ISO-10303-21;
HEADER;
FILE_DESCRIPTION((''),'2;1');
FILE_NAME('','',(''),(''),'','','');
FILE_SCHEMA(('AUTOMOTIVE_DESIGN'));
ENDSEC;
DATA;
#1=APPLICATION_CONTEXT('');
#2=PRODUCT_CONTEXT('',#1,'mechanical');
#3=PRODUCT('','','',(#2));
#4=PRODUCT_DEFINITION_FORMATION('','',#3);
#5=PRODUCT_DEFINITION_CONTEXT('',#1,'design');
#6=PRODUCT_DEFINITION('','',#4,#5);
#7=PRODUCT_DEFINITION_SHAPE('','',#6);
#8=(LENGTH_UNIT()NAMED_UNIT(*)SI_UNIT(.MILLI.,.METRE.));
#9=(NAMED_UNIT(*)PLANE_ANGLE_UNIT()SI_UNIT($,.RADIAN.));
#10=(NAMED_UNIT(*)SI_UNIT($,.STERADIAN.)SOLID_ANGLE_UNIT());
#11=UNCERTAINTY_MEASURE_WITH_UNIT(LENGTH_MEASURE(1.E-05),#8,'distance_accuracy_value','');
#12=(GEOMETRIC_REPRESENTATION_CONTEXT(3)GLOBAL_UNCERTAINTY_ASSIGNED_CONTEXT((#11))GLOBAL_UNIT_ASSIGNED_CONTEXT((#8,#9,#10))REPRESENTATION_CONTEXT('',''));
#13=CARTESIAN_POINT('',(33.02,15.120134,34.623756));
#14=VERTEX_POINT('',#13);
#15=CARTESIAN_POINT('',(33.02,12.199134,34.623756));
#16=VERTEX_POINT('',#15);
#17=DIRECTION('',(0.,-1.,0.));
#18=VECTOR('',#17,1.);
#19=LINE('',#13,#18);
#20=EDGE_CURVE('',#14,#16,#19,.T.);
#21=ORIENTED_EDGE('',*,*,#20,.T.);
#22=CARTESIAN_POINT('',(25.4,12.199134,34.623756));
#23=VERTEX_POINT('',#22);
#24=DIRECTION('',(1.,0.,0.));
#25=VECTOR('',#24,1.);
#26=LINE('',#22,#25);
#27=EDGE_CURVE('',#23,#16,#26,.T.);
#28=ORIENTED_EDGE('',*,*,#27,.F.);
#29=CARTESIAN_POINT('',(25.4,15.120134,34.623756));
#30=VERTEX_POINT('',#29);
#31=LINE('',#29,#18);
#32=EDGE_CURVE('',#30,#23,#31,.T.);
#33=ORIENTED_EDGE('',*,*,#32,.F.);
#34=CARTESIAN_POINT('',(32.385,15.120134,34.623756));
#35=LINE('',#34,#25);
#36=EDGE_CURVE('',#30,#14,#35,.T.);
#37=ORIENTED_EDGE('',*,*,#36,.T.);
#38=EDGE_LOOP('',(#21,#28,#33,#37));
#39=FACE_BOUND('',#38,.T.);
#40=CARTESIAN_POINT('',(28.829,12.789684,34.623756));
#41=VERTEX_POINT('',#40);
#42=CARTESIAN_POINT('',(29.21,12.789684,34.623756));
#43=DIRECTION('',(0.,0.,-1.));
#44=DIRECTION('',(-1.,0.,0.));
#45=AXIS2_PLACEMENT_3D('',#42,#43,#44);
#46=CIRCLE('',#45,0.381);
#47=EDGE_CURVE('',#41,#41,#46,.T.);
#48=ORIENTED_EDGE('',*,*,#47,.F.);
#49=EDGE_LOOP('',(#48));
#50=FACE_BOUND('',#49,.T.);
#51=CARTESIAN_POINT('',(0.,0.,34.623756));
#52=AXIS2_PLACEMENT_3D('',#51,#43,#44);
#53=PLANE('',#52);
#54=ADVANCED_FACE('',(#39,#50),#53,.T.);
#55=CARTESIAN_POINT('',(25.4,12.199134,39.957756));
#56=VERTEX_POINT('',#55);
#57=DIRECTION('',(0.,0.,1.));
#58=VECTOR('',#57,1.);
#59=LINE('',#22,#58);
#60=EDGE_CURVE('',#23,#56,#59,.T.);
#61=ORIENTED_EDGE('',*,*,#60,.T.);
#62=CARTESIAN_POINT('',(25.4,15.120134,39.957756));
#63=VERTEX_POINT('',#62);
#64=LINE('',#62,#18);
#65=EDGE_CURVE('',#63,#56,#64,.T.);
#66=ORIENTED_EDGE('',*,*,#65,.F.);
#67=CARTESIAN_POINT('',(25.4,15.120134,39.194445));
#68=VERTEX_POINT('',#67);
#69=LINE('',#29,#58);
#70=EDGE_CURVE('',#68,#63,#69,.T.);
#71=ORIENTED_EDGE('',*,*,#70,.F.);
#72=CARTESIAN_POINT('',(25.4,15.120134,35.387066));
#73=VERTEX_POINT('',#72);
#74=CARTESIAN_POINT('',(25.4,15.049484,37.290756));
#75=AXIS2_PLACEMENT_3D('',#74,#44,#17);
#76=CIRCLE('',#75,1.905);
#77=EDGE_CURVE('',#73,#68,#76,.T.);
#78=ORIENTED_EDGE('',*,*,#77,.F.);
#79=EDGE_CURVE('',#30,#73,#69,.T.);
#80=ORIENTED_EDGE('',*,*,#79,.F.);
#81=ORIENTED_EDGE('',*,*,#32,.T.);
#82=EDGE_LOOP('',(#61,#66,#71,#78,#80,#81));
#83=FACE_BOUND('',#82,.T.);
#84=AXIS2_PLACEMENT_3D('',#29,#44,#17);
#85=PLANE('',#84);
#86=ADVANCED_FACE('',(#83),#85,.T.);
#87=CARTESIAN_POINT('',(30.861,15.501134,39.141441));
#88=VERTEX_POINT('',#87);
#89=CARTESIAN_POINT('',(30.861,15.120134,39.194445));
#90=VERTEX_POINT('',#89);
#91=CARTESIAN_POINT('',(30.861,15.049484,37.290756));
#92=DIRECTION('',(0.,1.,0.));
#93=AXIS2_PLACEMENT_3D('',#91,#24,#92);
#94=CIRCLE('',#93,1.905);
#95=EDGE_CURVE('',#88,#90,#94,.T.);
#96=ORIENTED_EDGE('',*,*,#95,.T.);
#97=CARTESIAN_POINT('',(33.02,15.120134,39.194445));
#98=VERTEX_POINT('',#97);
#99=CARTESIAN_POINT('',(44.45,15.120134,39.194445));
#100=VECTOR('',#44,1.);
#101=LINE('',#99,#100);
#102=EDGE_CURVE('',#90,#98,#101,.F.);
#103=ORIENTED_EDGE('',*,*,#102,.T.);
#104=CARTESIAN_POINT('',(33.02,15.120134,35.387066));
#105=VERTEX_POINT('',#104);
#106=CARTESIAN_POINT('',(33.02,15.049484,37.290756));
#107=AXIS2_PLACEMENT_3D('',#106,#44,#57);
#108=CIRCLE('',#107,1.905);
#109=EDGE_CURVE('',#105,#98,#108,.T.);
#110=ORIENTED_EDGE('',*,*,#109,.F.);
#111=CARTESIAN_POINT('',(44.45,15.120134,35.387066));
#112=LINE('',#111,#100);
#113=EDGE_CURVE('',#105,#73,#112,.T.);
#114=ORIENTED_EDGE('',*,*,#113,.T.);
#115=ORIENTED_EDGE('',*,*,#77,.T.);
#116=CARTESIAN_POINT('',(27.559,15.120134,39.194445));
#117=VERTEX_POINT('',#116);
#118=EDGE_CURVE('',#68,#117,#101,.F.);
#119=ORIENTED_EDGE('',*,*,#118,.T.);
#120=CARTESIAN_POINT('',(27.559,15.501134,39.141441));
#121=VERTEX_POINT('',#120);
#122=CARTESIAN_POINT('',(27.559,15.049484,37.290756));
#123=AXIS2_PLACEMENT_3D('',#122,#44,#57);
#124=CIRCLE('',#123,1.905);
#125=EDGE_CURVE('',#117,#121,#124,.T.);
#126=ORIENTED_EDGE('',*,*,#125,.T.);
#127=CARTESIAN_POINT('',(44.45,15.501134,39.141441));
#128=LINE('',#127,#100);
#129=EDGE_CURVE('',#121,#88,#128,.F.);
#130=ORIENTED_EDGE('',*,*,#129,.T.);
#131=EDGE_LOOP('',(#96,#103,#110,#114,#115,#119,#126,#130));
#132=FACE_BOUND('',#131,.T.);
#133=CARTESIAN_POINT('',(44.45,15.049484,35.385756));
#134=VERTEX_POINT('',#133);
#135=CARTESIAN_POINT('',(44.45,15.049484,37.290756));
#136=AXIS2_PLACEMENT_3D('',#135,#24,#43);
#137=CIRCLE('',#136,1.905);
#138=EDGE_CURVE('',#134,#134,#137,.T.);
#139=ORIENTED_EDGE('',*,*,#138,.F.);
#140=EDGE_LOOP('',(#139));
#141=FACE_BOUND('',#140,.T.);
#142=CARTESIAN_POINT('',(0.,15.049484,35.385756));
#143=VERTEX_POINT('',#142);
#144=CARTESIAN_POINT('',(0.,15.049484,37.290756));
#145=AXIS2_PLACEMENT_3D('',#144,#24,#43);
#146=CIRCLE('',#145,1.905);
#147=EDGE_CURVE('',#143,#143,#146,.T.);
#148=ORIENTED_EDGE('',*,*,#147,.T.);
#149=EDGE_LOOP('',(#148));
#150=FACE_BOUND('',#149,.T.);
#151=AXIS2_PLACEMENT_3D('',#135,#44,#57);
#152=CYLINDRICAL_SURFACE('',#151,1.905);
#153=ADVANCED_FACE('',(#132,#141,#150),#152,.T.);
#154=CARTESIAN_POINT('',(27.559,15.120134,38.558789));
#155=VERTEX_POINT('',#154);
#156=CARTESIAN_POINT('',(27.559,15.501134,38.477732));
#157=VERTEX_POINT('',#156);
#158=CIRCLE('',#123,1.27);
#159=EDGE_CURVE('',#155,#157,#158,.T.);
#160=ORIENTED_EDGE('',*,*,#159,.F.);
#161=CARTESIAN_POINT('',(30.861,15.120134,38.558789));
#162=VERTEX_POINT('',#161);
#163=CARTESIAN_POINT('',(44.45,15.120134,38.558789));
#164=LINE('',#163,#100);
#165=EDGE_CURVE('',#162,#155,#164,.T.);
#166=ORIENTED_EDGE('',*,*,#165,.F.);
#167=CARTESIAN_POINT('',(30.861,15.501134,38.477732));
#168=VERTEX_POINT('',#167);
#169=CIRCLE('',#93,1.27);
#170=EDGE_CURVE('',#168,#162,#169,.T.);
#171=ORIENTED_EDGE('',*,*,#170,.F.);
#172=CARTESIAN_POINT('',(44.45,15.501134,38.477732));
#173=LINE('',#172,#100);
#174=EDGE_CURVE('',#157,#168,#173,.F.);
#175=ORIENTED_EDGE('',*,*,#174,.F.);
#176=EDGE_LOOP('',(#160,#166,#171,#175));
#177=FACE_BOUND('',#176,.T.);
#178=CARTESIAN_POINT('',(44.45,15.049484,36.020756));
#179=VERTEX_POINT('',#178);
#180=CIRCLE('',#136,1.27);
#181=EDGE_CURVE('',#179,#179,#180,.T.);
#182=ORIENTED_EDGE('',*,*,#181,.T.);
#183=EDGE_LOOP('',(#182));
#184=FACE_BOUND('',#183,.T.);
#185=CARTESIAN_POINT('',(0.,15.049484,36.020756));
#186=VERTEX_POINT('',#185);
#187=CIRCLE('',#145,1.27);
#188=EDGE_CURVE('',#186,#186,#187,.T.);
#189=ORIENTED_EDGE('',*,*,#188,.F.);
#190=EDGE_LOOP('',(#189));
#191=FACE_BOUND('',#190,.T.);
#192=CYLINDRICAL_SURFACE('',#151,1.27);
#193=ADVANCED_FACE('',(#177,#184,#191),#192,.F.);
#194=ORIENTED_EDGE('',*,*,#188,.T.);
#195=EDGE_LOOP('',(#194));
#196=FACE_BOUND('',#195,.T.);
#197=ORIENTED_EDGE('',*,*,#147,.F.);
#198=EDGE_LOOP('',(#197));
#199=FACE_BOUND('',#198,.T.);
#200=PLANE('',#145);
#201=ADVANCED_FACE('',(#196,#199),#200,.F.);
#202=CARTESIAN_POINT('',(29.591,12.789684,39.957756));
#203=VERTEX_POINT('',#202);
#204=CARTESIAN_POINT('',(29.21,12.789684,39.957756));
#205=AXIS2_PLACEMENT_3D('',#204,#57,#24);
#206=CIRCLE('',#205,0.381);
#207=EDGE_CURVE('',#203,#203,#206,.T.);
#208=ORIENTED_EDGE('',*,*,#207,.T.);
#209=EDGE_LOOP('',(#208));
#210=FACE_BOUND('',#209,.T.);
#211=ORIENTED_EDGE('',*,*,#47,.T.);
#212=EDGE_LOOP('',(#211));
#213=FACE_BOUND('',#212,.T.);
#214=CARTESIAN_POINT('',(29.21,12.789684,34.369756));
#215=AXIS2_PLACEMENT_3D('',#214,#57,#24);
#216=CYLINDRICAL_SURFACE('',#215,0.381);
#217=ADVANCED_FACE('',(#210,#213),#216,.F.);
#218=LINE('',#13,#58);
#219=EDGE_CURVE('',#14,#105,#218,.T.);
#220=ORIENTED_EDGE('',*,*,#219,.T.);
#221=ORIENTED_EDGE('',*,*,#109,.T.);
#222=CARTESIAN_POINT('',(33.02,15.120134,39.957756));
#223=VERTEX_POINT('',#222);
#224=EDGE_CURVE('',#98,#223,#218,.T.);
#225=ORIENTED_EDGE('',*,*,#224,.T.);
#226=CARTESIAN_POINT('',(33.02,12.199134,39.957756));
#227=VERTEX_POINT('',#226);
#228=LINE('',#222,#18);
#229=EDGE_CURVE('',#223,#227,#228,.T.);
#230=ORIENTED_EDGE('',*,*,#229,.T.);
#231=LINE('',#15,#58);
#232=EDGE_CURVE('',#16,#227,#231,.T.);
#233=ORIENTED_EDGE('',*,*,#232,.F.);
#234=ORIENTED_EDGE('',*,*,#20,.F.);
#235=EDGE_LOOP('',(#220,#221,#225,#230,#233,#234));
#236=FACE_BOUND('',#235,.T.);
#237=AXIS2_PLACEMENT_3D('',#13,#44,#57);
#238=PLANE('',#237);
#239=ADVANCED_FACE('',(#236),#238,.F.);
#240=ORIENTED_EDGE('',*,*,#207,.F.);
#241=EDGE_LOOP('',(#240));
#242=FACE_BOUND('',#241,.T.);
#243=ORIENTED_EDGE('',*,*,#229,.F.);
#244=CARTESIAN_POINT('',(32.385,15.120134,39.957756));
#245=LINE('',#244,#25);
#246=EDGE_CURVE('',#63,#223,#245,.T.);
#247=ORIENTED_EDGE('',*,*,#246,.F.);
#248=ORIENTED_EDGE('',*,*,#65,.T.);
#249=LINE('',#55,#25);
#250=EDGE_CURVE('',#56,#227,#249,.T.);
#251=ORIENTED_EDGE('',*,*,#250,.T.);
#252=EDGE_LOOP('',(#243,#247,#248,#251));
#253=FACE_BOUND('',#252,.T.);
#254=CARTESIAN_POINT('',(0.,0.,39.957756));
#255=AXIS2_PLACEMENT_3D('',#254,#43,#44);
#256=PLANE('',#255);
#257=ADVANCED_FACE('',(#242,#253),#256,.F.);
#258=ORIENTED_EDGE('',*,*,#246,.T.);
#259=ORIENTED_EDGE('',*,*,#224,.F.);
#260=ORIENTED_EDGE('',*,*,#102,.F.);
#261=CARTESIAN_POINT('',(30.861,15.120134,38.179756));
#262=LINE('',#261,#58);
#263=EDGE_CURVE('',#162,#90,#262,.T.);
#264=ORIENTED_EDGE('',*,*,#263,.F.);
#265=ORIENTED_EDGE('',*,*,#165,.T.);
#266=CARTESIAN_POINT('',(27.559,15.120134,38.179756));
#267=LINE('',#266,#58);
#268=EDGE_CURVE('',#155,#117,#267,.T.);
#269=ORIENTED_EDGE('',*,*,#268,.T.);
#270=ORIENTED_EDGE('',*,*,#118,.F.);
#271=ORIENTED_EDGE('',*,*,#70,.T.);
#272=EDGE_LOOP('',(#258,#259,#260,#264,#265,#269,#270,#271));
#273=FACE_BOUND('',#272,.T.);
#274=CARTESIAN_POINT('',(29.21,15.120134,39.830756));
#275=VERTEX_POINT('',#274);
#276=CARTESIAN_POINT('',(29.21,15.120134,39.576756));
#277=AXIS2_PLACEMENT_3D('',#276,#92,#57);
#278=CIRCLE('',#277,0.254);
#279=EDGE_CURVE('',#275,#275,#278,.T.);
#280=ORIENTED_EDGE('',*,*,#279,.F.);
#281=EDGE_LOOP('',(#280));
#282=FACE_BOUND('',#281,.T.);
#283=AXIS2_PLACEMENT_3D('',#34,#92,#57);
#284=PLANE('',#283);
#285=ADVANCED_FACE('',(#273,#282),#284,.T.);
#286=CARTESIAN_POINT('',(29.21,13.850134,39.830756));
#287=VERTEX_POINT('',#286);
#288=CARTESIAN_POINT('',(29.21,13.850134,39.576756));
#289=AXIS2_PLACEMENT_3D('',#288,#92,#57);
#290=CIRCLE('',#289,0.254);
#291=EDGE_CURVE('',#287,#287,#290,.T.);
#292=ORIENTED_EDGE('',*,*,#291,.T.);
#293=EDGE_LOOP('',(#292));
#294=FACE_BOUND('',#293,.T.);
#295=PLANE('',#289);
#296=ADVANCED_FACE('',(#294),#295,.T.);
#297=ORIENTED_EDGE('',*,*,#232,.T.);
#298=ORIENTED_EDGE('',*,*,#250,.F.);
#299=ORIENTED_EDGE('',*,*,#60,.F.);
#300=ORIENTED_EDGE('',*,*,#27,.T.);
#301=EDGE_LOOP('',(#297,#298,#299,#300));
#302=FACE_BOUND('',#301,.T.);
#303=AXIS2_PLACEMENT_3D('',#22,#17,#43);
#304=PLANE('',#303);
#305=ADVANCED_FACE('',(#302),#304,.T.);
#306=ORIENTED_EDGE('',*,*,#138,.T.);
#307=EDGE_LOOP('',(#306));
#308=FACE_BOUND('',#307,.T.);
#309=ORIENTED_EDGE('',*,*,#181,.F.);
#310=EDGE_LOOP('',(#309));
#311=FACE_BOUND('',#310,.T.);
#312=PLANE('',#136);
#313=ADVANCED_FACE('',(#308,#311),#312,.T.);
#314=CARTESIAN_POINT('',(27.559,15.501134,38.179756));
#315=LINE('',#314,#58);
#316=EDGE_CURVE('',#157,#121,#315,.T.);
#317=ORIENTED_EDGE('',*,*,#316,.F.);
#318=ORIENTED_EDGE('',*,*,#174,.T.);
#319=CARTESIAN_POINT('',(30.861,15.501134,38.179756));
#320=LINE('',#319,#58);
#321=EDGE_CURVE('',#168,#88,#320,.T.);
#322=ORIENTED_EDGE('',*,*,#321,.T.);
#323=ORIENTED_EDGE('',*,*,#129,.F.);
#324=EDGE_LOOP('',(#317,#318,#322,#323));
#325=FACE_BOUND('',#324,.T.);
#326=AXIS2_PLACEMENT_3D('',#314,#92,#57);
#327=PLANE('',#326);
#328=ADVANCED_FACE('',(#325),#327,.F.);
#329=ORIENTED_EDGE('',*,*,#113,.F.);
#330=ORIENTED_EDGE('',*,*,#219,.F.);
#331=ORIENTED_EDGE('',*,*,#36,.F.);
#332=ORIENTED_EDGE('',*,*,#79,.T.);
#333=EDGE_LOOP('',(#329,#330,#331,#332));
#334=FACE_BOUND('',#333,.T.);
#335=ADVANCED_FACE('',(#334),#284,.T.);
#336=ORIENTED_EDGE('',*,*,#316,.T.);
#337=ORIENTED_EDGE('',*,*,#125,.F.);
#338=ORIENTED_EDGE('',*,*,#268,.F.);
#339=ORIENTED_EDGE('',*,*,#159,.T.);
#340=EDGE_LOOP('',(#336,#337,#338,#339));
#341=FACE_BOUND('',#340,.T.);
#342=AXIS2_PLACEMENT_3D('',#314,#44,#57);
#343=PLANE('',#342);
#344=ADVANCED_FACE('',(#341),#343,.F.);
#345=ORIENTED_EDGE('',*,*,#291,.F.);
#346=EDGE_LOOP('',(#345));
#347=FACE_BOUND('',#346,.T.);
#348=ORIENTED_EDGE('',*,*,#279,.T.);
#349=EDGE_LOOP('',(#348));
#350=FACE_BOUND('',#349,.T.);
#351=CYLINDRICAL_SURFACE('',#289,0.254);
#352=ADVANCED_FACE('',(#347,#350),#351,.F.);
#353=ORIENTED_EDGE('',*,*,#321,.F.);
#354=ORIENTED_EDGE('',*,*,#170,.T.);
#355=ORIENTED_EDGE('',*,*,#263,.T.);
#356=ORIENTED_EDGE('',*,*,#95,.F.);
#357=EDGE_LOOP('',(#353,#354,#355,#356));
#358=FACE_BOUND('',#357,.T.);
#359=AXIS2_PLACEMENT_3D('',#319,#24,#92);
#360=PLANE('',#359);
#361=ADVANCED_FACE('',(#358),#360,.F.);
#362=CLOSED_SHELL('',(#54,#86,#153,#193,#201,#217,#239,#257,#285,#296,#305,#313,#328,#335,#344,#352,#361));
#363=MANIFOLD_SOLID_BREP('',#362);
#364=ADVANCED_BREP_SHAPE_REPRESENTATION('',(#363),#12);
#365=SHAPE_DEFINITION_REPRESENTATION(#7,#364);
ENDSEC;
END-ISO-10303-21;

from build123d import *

# Parameters (mm, degrees)
SKETCH1_R                = 1.905
SKETCH1_R_2              = 1.27
BOSS_EXTRUDE1_DEPTH      = 44.45
BOSS_EXTRUDE3_DEPTH      = 0.762
BOSS_EXTRUDE3_DEPTH_BACK = 4.572
SKETCH4_R                = 1.27
CUT_EXTRUDE2_DEPTH       = 46.99
SKETCH5_W                = 3.302
SKETCH5_H                = 0.381
CUT_EXTRUDE3_DEPTH       = 1.016
SKETCH6_R                = 0.381
CUT_EXTRUDE4_DEPTH       = 5.588
SKETCH8_R                = 0.254
CUT_EXTRUDE5_DEPTH       = 1.27


with BuildPart() as part:
    # Sketch1 → Boss-Extrude1 (new body)
    with BuildSketch(Plane(origin=(0, 0, 0), x_dir=(0, 0, -1), z_dir=(1, 0, 0))):
        with Locations((-37.290755903, 15.049483632)):
            Circle(SKETCH1_R)
        with Locations((-37.290755903, 15.049483632)):
            Circle(SKETCH1_R_2, mode=Mode.SUBTRACT)
    extrude(amount=BOSS_EXTRUDE1_DEPTH)

    # Sketch2 → Boss-Extrude3 (add, two sides: drawn at the far end of the back side and taken through both)
    with BuildSketch(Plane.XY.offset(39.195755903).offset(-BOSS_EXTRUDE3_DEPTH_BACK)):
        Polygon((32.385, 15.120134353), (33.02, 15.120134353), (33.02, 12.199134353), (25.4, 12.199134353), (25.4, 15.120134353), (26.035, 15.120134353), (31.75, 15.120134353), align=None)
    extrude(amount=BOSS_EXTRUDE3_DEPTH + BOSS_EXTRUDE3_DEPTH_BACK)

    # Sketch4 → Cut-Extrude2 (cut)
    with BuildSketch(Plane.ZY):
        with Locations(Location((37.290755903, 15.049483632, 0), (0, 0, 180))):
            Circle(SKETCH4_R)
    extrude(amount=-CUT_EXTRUDE2_DEPTH, mode=Mode.SUBTRACT)

    # Sketch5 → Cut-Extrude3 (cut)
    with BuildSketch(Plane.XY.offset(39.195755903)):
        with Locations((29.21, 15.310634353)):
            Rectangle(SKETCH5_W, SKETCH5_H)
    extrude(amount=-CUT_EXTRUDE3_DEPTH, mode=Mode.SUBTRACT)

    # Sketch6 → Cut-Extrude4 (cut)
    with BuildSketch(Plane.XY.offset(39.957755903)):
        with Locations((29.21, 12.789684353)):
            Circle(SKETCH6_R)
    extrude(amount=-CUT_EXTRUDE4_DEPTH, mode=Mode.SUBTRACT)

    # Sketch8 → Cut-Extrude5 (cut)
    with BuildSketch(Plane(origin=(0, 15.120134353, 0), x_dir=(1, 0, 0), z_dir=(0, 1, 0))):
        with Locations(Location((29.21, -39.576755903, 0), (0, 0, 270))):
            Circle(SKETCH8_R)
    extrude(amount=-CUT_EXTRUDE5_DEPTH, mode=Mode.SUBTRACT)


solid = part.part
